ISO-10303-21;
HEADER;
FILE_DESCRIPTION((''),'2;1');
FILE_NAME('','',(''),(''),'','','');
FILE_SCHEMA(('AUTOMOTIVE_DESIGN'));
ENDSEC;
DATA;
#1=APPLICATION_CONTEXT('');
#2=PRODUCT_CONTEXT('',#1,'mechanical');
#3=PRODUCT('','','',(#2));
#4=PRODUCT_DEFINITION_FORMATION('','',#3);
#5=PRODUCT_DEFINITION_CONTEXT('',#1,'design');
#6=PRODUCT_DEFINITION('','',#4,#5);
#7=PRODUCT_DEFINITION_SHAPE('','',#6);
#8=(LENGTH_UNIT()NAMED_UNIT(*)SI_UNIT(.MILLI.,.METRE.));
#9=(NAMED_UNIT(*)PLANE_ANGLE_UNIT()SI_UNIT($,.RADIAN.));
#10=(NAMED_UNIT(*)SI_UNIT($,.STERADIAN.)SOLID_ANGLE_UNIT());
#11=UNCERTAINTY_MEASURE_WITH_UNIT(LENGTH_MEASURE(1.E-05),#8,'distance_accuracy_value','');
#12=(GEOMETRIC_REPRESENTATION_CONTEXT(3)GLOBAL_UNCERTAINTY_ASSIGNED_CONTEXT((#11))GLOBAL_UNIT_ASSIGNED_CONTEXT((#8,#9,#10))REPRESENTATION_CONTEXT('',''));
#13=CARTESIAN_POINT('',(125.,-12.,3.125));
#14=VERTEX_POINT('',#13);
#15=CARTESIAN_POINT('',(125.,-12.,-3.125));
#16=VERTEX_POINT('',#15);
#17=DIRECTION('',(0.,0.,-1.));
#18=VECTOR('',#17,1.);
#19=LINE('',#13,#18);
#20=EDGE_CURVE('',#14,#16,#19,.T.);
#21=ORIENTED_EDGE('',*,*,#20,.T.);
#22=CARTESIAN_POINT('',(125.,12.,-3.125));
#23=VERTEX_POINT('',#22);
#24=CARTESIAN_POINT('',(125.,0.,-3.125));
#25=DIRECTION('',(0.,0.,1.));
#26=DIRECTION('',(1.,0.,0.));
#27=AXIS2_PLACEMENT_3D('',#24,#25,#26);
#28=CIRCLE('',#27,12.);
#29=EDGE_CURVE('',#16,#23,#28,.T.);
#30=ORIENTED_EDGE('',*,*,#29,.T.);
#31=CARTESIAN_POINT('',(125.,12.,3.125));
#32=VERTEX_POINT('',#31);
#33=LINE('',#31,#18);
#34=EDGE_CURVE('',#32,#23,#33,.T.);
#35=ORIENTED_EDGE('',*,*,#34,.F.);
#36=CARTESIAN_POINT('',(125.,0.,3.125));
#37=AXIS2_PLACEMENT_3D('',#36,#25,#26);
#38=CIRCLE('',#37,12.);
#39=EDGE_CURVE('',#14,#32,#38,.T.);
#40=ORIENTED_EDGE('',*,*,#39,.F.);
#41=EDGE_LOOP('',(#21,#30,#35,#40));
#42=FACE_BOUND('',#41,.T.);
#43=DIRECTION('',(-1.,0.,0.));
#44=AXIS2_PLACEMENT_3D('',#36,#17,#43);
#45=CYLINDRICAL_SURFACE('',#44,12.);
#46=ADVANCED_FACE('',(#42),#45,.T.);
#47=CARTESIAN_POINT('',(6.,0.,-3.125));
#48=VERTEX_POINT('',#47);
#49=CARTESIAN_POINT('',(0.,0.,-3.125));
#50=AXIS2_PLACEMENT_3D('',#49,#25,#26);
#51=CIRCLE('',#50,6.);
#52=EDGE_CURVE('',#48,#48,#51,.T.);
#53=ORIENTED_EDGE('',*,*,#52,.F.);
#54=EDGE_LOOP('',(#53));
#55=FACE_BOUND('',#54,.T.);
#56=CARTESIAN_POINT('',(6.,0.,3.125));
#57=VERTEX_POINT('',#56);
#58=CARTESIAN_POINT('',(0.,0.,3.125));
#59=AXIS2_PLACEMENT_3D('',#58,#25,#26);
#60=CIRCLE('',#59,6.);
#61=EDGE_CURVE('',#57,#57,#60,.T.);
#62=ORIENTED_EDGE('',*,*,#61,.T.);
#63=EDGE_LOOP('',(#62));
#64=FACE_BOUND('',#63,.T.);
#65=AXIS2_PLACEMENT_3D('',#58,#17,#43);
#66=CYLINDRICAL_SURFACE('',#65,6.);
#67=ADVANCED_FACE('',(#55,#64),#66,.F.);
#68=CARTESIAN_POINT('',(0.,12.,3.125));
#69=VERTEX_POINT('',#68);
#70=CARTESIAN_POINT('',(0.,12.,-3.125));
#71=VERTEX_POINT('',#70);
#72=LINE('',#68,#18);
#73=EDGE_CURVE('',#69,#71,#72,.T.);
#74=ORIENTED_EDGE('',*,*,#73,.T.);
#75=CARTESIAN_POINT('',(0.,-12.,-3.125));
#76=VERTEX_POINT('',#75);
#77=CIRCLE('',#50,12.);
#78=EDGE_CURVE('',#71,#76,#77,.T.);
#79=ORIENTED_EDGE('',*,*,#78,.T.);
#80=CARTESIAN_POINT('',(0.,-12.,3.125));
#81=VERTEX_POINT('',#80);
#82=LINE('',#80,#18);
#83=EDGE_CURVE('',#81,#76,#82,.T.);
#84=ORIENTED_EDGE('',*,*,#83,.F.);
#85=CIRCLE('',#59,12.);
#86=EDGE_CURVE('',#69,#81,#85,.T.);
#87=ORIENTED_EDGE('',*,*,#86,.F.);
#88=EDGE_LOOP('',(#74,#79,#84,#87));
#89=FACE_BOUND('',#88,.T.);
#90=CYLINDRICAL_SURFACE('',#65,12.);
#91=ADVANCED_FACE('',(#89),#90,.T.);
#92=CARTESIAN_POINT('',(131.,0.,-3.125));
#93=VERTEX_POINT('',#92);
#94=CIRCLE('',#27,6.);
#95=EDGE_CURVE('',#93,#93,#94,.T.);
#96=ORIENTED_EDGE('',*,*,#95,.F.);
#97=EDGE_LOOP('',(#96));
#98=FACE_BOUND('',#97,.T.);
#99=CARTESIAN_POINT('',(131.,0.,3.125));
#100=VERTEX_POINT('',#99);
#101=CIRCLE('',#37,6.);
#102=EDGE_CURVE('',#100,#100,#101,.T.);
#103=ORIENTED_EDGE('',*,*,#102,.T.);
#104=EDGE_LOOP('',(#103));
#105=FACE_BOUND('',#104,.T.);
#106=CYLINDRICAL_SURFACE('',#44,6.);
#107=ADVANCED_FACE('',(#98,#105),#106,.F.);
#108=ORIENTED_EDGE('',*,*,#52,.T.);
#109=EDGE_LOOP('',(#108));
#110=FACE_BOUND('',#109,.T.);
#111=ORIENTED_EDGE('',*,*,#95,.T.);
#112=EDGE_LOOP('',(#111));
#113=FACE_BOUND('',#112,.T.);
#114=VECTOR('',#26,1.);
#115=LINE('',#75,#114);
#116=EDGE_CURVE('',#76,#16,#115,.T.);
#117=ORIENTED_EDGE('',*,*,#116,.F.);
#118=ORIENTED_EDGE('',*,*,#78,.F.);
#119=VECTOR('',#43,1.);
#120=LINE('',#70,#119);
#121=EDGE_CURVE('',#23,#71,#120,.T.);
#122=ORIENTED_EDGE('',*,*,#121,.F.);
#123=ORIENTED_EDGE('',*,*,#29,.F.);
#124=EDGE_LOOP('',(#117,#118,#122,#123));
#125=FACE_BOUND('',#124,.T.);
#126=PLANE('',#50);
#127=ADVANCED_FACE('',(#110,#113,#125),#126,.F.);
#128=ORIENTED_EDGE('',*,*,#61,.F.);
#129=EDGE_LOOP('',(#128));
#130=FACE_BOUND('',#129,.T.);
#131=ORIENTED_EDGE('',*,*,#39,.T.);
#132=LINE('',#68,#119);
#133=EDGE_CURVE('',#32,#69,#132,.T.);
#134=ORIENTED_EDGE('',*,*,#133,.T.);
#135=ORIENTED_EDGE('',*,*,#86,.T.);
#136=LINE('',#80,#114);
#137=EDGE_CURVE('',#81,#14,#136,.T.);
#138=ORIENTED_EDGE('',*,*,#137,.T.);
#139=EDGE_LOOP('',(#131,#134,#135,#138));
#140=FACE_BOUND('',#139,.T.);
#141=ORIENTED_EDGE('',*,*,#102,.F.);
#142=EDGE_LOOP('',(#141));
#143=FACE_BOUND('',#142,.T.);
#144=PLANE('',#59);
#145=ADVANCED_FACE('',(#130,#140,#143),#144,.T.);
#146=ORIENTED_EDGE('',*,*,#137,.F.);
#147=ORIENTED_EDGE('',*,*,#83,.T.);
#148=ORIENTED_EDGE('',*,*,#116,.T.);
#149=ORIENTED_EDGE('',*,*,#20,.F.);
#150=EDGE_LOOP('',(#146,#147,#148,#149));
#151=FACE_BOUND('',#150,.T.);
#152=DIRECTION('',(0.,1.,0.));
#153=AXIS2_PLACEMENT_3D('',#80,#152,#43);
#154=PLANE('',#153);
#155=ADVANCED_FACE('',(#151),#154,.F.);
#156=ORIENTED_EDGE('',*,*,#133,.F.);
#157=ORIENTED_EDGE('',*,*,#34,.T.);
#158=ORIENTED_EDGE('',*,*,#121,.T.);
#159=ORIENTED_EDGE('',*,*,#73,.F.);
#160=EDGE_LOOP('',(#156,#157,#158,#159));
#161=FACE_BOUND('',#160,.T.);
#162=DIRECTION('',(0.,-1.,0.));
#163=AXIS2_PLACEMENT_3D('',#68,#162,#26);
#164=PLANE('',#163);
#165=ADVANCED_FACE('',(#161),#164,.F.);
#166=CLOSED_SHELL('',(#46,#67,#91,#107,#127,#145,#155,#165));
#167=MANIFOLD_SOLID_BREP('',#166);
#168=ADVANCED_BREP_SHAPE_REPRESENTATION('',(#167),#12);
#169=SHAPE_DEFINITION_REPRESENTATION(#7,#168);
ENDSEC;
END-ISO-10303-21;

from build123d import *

# Parameters (mm, degrees)
SKETCH1_R           = 6
BOSS_EXTRUDE1_DEPTH = 3.125


with BuildPart() as part:
    # Sketch1 → Boss-Extrude1 (new body, symmetric)
    with BuildSketch(Plane.XY):
        with BuildLine():
            Line((0, 12), (125, 12))
            ThreePointArc((125, 12), (137, 0), (125, -12))
            Line((125, -12), (0, -12))
            ThreePointArc((0, -12), (-12, 0), (0, 12))
        make_face()
        Circle(SKETCH1_R, mode=Mode.SUBTRACT)
        with Locations((125, 0)):
            Circle(SKETCH1_R, mode=Mode.SUBTRACT)
    extrude(amount=BOSS_EXTRUDE1_DEPTH, both=True)


solid = part.part
